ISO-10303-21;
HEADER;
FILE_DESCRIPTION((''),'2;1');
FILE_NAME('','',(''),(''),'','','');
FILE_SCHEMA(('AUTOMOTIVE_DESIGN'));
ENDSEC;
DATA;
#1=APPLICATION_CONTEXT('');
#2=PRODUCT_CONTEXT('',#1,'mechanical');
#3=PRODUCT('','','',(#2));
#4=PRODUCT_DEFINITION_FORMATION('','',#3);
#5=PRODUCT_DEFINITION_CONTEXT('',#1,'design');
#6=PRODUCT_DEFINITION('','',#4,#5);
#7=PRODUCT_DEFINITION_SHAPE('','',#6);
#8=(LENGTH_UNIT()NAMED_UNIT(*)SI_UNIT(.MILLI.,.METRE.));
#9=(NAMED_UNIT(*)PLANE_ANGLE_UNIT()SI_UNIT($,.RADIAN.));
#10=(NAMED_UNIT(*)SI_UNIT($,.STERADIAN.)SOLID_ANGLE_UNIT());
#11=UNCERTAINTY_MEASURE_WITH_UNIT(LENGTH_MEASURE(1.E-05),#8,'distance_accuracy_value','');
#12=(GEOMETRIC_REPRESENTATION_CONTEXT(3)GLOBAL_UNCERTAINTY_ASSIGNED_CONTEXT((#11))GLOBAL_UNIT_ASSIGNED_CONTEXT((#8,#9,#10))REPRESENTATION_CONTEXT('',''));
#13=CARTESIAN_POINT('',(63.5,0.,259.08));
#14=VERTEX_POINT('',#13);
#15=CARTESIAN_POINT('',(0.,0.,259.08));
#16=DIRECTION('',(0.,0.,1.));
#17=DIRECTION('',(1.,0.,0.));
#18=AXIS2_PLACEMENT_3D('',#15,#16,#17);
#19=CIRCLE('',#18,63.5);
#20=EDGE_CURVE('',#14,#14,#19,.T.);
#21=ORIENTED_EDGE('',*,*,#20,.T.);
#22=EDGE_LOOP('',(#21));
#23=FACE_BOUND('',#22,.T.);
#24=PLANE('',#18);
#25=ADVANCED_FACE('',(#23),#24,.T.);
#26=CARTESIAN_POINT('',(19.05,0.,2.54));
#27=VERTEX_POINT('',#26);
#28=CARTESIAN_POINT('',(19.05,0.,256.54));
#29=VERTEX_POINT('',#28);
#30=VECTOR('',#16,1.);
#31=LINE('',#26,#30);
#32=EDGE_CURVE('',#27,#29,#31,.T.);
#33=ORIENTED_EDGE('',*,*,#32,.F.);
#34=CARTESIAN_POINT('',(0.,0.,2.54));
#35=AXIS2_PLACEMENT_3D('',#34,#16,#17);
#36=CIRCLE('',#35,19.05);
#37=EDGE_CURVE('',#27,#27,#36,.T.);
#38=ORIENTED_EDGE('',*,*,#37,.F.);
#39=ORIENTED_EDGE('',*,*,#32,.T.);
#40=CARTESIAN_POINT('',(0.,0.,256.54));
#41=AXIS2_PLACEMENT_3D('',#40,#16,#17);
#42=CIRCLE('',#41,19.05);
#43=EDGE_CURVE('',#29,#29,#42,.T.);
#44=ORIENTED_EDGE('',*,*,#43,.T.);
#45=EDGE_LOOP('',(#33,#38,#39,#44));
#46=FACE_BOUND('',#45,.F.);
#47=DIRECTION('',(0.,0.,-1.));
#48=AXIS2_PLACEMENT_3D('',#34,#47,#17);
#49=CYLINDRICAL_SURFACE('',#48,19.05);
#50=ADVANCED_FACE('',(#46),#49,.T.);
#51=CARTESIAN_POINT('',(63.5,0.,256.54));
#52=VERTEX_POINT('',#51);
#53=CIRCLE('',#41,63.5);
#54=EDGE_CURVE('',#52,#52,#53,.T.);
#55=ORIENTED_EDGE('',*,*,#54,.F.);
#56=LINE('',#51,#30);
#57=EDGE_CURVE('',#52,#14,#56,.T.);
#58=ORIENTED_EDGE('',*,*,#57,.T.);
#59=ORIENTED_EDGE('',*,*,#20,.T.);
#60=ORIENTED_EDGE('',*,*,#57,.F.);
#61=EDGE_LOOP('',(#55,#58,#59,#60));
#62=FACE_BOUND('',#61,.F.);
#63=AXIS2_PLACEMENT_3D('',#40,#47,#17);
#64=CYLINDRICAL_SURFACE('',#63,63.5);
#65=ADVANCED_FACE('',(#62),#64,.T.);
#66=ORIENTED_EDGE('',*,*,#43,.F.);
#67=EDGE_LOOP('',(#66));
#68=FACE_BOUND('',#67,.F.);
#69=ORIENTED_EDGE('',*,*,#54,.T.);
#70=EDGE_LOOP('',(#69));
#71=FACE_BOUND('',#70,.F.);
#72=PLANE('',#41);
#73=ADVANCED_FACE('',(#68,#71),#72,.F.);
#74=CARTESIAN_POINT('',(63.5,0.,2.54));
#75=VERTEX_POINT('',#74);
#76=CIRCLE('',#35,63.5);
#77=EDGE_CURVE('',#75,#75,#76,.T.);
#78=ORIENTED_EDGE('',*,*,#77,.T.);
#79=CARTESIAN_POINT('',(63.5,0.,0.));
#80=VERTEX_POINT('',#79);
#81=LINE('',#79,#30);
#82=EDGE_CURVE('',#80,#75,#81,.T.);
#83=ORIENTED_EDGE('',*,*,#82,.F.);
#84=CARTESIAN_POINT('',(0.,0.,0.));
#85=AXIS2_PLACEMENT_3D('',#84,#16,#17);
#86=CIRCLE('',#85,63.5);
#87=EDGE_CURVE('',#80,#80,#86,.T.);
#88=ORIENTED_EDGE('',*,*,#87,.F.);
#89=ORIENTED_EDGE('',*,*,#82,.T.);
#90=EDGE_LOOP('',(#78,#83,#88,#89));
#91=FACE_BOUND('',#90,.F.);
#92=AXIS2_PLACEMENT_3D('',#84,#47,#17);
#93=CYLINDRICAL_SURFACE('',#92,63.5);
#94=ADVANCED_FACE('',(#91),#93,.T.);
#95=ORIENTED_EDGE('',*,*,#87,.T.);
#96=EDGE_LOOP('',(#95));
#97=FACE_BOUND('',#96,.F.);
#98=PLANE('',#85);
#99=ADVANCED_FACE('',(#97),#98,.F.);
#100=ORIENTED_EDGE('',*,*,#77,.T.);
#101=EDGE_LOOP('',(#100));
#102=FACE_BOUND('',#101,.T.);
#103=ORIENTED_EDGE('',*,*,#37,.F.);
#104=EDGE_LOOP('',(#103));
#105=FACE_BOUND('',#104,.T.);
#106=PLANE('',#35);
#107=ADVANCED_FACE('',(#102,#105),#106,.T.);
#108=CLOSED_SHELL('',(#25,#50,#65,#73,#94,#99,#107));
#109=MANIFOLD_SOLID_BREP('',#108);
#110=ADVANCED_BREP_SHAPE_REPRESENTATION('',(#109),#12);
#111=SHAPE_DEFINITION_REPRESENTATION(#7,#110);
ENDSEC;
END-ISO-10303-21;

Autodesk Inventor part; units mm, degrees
ref_plane "YZ Plane" through (0, 0, 0) normal (1, 0, 0) x (0, 1, 0)
ref_plane "XZ Plane" through (0, 0, 0) normal (0, 1, 0) x (-1, 0, 0)
ref_plane "XY Plane" through (0, 0, 0) normal (0, 0, 1) x (1, 0, 0)
sketch "Sketch1" plane through (0, 0, 0) normal (0, 0, 1) x (1, 0, 0)
  circle A0 centre (0, 0) radius 63.5
  dimension "d0" = 127
extrude "Extrusion1" add sketch "Sketch1" along normal blind 2.54
sketch "Sketch2" plane through (0, 0, 2.54) normal (0, 0, 1) x (1, 0, 0)
  circle A0 centre (0, 0) radius 63.5 projected
  circle A1 centre (0, 0) radius 19.05
  dimension "d3" = 38.1
extrude "Extrusion2" add sketch "Sketch2" along normal blind 254 contours A1
sketch "Sketch3" plane through (0, 0, 256.54) normal (0, 0, 1) x (1, 0, 0)
  circle A0 centre (0, 0) radius 19.05 projected
  circle A1 centre (0, 0) radius 63.5
  dimension "d6" = 127
extrude "Extrusion3" add sketch "Sketch3" along normal blind 2.54 contours A0 | A1
properties part number "A solid metal acylinder"
